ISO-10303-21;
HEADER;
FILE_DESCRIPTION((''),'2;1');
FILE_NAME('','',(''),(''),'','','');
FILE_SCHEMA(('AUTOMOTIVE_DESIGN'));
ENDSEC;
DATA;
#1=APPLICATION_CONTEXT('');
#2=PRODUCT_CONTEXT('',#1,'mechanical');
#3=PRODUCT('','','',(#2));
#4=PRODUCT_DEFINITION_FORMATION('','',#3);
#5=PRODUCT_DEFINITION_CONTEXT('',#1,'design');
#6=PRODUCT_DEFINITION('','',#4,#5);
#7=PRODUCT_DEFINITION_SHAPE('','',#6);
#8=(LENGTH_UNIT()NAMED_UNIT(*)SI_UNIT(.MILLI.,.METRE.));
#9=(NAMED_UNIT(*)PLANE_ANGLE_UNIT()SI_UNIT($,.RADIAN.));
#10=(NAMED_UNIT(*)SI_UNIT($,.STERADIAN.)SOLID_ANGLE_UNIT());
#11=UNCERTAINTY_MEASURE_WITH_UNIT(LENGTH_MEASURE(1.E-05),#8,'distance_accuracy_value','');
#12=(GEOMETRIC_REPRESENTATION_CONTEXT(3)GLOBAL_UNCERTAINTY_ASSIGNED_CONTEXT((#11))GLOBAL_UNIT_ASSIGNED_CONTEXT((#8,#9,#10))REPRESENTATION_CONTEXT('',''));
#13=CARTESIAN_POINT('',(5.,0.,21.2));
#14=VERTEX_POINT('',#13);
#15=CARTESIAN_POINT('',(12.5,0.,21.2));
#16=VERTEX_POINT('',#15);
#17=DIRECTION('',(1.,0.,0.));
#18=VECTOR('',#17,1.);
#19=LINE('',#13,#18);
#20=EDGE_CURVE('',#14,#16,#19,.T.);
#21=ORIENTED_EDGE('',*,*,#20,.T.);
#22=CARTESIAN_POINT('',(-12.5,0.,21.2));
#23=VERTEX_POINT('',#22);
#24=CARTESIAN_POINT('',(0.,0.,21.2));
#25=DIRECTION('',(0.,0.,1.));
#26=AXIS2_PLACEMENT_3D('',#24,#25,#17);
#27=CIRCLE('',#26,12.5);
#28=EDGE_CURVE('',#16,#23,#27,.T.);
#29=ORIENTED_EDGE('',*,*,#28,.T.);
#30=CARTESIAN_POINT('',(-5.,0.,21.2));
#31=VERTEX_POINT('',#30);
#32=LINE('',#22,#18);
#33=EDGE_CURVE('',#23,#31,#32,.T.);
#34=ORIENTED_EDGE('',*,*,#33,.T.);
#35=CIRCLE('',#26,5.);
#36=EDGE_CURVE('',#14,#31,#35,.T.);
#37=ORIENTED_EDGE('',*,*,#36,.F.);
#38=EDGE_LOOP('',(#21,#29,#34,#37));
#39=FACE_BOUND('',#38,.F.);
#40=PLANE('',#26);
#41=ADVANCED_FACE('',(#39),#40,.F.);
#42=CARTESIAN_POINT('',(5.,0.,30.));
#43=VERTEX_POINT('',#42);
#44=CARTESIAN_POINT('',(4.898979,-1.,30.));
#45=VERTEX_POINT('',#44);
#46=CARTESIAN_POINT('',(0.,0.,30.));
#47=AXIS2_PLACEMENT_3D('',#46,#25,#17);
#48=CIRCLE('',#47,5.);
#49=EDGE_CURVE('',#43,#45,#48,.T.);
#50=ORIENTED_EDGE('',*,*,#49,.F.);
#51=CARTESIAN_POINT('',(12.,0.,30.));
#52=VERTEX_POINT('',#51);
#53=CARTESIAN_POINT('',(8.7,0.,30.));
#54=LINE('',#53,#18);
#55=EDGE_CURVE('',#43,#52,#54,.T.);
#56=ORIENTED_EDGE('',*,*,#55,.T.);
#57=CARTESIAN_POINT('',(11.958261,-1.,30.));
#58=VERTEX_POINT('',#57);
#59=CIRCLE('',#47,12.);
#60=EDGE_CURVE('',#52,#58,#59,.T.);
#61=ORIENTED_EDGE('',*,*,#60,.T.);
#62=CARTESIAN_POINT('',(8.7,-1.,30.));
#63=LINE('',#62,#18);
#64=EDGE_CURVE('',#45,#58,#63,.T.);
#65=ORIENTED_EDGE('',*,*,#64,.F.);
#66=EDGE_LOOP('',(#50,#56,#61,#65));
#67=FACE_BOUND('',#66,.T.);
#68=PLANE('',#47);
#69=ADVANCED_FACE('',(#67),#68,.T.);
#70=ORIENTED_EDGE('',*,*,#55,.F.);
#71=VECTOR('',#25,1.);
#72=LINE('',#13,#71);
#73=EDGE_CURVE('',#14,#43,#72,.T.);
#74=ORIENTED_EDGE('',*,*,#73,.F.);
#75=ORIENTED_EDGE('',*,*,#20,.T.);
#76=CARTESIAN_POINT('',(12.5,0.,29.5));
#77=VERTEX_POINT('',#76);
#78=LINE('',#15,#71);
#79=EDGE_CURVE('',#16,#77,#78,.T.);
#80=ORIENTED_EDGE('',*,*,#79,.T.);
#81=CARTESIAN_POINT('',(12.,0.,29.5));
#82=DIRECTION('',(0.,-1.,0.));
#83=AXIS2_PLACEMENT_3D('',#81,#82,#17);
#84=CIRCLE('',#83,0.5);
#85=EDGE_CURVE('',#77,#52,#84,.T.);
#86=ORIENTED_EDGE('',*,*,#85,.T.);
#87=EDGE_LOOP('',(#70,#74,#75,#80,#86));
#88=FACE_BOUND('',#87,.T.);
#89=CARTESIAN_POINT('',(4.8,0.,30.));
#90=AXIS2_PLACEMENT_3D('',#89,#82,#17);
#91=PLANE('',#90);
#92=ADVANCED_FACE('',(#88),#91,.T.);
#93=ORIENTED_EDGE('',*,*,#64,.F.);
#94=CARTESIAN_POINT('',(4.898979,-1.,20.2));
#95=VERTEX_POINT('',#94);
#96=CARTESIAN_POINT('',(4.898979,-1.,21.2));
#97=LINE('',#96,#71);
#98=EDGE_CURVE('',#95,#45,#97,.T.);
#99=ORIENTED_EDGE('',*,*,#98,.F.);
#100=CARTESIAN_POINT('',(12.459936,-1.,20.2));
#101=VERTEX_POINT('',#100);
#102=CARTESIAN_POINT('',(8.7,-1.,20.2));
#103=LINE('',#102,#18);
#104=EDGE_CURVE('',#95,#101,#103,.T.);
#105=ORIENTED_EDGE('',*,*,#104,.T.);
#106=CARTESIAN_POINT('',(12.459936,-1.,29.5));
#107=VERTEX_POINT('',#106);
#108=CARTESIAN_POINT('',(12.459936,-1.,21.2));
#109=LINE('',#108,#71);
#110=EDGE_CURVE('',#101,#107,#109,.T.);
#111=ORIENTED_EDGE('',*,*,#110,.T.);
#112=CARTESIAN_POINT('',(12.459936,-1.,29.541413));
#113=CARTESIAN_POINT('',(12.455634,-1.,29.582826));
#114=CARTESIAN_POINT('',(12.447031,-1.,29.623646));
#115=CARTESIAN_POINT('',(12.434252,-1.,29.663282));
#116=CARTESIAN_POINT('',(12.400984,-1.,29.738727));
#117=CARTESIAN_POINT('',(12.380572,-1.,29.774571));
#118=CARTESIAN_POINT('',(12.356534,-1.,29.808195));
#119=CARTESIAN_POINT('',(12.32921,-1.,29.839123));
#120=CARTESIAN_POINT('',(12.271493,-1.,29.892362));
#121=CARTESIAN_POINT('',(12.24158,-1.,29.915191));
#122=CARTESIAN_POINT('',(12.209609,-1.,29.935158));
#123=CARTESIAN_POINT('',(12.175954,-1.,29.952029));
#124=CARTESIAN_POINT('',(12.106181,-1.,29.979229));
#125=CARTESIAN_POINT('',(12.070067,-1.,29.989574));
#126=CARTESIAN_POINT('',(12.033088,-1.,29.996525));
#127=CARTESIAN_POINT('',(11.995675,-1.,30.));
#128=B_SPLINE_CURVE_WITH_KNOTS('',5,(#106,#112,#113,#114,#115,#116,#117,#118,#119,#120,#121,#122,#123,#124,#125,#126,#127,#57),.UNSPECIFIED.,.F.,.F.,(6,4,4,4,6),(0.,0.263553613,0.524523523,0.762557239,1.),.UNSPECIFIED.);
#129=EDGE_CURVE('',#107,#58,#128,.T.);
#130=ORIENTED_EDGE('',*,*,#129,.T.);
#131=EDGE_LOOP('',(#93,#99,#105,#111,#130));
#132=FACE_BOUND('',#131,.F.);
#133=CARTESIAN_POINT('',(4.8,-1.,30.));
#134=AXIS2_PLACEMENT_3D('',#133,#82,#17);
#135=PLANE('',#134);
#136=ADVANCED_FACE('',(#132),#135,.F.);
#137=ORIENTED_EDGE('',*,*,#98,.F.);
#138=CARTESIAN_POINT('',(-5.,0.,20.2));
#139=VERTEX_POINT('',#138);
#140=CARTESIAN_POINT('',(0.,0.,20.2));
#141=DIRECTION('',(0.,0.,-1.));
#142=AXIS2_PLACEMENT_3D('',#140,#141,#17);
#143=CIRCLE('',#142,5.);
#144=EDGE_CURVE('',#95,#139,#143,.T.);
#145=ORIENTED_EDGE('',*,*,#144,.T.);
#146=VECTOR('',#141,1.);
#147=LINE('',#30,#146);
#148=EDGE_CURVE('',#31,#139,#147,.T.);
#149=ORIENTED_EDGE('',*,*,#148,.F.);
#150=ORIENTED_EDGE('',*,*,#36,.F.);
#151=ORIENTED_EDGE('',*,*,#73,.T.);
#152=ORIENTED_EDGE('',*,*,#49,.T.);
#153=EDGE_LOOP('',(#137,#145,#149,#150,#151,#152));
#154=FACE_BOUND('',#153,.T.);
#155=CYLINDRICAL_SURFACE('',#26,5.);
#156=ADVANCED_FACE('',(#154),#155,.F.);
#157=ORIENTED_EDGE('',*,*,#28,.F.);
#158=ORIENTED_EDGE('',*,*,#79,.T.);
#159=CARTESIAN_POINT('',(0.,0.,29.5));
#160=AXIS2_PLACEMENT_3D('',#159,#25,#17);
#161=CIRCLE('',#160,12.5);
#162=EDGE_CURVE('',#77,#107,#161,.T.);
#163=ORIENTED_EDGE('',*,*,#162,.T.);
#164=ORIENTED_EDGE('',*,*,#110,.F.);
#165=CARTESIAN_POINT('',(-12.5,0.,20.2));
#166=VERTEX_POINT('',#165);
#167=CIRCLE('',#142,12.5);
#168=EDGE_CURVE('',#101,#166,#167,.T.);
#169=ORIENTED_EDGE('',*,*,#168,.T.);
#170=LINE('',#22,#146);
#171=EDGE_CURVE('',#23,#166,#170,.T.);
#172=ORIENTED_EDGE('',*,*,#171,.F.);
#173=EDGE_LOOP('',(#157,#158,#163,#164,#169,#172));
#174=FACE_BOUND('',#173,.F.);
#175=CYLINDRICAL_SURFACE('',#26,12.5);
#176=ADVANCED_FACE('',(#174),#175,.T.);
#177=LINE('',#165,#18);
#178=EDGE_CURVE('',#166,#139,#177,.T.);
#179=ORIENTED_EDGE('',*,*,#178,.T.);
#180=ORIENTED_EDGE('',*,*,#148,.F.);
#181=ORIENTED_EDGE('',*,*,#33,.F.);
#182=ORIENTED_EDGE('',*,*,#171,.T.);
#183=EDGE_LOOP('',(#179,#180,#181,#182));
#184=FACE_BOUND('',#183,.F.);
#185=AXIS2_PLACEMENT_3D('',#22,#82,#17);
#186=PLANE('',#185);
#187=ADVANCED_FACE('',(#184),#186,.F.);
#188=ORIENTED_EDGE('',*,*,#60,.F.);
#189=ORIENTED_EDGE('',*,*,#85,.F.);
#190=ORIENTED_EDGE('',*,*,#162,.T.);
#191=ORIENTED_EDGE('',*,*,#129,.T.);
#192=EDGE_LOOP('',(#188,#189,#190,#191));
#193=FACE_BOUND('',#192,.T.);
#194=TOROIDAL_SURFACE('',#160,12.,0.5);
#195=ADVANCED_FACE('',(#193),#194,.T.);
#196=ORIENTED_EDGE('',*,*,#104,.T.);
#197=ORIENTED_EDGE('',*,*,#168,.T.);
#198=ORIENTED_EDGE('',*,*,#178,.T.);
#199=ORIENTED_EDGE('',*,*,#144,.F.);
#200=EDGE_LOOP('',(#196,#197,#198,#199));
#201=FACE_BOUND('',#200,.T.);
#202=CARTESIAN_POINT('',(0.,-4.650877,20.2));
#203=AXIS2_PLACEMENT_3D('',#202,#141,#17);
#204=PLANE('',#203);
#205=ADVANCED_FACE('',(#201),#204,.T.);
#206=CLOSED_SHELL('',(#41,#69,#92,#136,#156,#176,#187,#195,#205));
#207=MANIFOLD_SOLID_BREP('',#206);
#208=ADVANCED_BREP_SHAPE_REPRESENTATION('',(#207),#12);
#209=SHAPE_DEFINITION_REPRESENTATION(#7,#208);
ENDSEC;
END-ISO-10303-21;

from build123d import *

# Parameters (mm, degrees)
SKETCH002_R     = 12.5
SKETCH002_R_2   = 5
PAD003_DEPTH    = 8.8
PAD004_DEPTH    = 1
FILLET001_R     = 0.5
SKETCH008_W     = 7.8
SKETCH008_H     = 1
POCKET001_DEPTH = 9.8


with BuildPart() as part:
    # Sketch002 → Pad003 (new body)
    with BuildSketch(Plane.XY.offset(21.2)):
        Circle(SKETCH002_R)
        Circle(SKETCH002_R_2, mode=Mode.SUBTRACT)
    extrude(amount=PAD003_DEPTH)

    # Sketch005 → Pad004 (new body)
    with BuildSketch(Plane(origin=(0, 0, 21.2), x_dir=(1, 0, 0), z_dir=(0, 0, -1))):
        with BuildLine():
            ThreePointArc((12.5, 0), (0, 12.5), (-12.5, 0))
            Line((-12.5, 0), (-5, 0))
            ThreePointArc((5, 0), (0, 5), (-5, 0))
            Line((5, 0), (12.5, 0))
        make_face()
    extrude(amount=PAD004_DEPTH)

    # Fillet001
    fillet001_edges = [part.edges().sort_by_distance(p)[0] for p in [
        (-12.5, 0, 30),
    ]]
    fillet(fillet001_edges, radius=FILLET001_R)

    # Sketch008 → Pocket001 (cut)
    with BuildSketch(Plane.XY.offset(30)):
        with Locations((8.7, -0.5)):
            Rectangle(SKETCH008_W, SKETCH008_H)
    extrude(amount=-POCKET001_DEPTH, mode=Mode.SUBTRACT)


solid = part.part
